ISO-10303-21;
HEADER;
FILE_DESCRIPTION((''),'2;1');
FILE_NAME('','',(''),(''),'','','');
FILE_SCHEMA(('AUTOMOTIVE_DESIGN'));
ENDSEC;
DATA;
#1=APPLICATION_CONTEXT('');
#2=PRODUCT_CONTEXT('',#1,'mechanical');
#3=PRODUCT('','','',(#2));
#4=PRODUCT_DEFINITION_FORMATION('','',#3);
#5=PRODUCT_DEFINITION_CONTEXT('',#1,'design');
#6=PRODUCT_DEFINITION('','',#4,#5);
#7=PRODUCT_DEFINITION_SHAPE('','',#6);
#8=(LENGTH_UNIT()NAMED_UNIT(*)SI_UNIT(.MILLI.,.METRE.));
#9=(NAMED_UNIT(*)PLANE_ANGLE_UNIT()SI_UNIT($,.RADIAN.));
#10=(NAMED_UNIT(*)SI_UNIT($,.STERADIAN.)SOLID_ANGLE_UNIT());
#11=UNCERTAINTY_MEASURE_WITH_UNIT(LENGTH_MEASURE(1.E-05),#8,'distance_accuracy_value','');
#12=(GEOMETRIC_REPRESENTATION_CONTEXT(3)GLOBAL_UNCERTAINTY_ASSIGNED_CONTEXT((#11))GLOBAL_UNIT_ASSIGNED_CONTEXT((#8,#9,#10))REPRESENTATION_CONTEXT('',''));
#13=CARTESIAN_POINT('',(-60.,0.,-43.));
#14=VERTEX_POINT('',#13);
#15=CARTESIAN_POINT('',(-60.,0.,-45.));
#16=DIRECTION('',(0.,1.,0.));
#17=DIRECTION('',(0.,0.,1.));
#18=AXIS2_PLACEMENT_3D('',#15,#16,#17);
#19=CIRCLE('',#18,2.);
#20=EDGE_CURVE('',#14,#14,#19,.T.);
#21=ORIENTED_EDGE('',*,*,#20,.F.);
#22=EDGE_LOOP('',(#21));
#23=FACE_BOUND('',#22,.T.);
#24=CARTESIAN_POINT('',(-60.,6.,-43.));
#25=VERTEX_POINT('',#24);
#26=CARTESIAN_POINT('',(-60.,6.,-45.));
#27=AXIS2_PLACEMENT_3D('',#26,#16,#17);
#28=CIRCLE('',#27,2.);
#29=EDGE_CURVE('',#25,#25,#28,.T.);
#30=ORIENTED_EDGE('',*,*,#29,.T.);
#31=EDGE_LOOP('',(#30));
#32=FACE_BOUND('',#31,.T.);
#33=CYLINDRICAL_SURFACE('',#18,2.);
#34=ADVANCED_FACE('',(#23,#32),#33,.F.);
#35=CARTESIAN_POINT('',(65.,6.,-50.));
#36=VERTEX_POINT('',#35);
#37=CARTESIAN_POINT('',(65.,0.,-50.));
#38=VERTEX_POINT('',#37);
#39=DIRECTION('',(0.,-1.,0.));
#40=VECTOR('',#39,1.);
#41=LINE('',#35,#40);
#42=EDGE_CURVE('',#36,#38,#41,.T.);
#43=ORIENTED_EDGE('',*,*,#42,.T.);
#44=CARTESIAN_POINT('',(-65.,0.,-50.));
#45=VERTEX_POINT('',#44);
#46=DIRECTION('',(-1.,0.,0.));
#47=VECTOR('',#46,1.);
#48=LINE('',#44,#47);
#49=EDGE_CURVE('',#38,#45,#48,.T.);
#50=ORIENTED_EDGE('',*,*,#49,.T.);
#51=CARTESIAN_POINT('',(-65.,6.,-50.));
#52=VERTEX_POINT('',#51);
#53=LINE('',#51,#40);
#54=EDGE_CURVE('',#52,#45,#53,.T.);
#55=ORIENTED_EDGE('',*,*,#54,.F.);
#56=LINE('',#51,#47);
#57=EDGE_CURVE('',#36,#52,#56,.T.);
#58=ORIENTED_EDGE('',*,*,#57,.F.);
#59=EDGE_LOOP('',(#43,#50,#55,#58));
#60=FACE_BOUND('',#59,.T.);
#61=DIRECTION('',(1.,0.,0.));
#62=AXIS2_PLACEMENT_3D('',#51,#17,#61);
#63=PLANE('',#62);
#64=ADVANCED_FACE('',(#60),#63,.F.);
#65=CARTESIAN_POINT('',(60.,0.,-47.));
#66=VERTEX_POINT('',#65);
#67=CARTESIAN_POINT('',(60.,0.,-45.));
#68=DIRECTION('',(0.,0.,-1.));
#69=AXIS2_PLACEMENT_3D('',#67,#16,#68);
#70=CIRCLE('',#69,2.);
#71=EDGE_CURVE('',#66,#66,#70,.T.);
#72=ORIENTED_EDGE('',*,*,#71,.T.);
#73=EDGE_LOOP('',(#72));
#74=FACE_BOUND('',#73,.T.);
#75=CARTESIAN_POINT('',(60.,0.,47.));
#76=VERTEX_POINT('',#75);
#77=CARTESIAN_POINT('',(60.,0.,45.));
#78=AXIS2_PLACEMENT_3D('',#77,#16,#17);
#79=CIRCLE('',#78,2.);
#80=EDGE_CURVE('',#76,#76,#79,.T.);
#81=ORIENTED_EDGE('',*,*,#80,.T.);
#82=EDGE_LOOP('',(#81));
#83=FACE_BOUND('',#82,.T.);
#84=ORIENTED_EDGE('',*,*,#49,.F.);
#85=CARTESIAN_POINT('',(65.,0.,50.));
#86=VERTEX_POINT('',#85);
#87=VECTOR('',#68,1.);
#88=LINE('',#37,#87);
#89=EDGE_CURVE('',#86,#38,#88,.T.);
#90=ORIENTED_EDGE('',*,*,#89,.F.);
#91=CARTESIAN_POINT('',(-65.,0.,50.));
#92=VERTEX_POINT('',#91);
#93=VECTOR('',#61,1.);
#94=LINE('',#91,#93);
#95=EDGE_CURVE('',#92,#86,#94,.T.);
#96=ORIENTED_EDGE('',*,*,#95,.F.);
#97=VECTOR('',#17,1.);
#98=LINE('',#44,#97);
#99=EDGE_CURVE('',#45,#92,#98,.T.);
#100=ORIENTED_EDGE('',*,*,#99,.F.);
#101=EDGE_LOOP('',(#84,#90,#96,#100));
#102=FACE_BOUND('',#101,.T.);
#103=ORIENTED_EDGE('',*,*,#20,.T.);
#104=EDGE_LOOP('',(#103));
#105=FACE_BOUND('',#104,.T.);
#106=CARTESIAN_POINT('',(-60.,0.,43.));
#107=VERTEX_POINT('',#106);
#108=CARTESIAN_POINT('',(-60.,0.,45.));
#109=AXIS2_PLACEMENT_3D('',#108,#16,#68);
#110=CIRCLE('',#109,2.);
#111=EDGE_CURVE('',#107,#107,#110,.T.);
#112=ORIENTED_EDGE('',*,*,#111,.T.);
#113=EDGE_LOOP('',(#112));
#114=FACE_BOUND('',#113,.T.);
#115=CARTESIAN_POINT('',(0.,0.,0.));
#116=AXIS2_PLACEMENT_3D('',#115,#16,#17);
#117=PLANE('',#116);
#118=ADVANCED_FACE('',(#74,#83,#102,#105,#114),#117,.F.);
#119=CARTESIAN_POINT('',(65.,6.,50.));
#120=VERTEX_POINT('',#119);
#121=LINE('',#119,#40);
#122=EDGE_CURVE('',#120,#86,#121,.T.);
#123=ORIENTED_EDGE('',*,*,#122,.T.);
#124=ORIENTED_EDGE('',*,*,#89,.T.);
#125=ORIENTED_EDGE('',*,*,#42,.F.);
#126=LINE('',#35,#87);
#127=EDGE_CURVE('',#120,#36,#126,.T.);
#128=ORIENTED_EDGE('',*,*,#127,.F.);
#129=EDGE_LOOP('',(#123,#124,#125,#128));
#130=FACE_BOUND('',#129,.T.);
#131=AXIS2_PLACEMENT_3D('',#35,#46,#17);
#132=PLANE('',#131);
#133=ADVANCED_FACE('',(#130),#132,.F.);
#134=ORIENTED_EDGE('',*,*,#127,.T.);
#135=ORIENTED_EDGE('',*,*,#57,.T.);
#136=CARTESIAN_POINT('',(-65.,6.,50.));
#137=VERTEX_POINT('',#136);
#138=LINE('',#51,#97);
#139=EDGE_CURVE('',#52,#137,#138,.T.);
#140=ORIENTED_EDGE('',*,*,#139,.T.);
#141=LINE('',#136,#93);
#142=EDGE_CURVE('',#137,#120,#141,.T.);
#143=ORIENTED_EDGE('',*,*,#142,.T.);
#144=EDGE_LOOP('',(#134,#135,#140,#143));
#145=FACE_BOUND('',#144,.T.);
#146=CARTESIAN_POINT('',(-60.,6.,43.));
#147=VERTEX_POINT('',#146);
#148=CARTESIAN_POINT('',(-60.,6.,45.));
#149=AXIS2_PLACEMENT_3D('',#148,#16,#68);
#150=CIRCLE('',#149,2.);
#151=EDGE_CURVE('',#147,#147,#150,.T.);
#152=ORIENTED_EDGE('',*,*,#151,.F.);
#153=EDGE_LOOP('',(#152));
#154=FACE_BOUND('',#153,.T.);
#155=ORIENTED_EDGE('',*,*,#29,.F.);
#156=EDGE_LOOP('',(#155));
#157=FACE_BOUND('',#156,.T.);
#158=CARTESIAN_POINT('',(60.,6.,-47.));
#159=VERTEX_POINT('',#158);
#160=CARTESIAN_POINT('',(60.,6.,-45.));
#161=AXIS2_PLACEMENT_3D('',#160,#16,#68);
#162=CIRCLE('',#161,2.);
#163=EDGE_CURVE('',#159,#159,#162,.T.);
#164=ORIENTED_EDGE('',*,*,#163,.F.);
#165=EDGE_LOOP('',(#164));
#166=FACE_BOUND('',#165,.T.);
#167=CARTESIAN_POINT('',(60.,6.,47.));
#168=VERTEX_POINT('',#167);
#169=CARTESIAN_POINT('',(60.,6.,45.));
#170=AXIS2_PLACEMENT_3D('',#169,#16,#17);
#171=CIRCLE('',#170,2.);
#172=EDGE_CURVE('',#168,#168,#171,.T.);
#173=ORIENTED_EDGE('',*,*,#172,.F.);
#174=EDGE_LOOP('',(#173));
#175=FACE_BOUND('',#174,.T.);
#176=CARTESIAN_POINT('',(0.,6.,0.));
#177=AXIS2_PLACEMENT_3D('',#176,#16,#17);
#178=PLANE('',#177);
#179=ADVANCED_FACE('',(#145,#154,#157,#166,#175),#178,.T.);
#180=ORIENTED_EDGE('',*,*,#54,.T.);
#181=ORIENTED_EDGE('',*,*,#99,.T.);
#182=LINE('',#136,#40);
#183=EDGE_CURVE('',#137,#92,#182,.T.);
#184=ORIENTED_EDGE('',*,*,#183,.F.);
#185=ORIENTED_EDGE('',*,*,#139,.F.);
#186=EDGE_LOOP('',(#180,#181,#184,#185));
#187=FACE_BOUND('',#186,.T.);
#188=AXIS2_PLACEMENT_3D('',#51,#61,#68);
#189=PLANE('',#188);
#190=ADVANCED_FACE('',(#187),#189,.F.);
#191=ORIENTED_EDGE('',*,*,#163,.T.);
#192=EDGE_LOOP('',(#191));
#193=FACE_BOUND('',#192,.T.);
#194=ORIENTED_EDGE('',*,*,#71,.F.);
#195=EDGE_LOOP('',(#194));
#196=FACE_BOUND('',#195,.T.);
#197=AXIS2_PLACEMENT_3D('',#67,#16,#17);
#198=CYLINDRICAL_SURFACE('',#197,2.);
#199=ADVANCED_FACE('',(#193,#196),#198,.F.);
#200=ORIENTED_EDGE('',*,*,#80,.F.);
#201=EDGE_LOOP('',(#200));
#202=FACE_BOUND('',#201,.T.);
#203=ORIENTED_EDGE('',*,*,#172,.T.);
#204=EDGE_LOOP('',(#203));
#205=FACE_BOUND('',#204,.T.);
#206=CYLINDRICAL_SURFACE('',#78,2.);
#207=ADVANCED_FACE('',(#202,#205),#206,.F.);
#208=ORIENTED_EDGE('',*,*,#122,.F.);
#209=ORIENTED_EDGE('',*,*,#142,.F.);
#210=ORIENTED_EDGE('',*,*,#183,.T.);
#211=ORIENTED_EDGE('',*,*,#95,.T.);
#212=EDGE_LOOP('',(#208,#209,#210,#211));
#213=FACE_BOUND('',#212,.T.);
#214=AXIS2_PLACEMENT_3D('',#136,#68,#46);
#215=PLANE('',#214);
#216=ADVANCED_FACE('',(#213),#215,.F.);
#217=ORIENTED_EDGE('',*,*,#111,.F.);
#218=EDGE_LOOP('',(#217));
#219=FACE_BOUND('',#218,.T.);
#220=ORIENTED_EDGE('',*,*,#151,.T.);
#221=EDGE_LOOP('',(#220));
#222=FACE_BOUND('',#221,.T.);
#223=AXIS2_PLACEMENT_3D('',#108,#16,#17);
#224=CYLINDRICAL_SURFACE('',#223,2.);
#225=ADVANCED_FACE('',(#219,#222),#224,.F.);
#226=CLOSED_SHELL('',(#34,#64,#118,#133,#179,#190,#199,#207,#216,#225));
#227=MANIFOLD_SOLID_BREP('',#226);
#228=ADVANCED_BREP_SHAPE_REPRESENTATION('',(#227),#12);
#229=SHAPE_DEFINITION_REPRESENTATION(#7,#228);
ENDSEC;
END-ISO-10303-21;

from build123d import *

# Parameters (mm, degrees)
SKETCH1_W           = 130
SKETCH1_H           = 100
BOSS_EXTRUDE1_DEPTH = 6
SKETCH3_R           = 2
CUT_EXTRUDE1_DEPTH  = 7


with BuildPart() as part:
    # Sketch1 → Boss-Extrude1 (new body)
    with BuildSketch(Plane(origin=(0, 0, 0), x_dir=(1, 0, 0), z_dir=(0, 1, 0))):
        Rectangle(SKETCH1_W, SKETCH1_H)
    extrude(amount=BOSS_EXTRUDE1_DEPTH)

    # Sketch3 → Cut-Extrude1 (cut, through all)
    with BuildSketch(Plane(origin=(0, 6, 0), x_dir=(1, 0, 0), z_dir=(0, 1, 0))):
        with Locations((-60, 45)):
            Circle(SKETCH3_R)
        with Locations((-60, -45)):
            Circle(SKETCH3_R)
        with Locations((60, -45)):
            Circle(SKETCH3_R)
        with Locations((60, 45)):
            Circle(SKETCH3_R)
    extrude(amount=-CUT_EXTRUDE1_DEPTH, mode=Mode.SUBTRACT)


solid = part.part
